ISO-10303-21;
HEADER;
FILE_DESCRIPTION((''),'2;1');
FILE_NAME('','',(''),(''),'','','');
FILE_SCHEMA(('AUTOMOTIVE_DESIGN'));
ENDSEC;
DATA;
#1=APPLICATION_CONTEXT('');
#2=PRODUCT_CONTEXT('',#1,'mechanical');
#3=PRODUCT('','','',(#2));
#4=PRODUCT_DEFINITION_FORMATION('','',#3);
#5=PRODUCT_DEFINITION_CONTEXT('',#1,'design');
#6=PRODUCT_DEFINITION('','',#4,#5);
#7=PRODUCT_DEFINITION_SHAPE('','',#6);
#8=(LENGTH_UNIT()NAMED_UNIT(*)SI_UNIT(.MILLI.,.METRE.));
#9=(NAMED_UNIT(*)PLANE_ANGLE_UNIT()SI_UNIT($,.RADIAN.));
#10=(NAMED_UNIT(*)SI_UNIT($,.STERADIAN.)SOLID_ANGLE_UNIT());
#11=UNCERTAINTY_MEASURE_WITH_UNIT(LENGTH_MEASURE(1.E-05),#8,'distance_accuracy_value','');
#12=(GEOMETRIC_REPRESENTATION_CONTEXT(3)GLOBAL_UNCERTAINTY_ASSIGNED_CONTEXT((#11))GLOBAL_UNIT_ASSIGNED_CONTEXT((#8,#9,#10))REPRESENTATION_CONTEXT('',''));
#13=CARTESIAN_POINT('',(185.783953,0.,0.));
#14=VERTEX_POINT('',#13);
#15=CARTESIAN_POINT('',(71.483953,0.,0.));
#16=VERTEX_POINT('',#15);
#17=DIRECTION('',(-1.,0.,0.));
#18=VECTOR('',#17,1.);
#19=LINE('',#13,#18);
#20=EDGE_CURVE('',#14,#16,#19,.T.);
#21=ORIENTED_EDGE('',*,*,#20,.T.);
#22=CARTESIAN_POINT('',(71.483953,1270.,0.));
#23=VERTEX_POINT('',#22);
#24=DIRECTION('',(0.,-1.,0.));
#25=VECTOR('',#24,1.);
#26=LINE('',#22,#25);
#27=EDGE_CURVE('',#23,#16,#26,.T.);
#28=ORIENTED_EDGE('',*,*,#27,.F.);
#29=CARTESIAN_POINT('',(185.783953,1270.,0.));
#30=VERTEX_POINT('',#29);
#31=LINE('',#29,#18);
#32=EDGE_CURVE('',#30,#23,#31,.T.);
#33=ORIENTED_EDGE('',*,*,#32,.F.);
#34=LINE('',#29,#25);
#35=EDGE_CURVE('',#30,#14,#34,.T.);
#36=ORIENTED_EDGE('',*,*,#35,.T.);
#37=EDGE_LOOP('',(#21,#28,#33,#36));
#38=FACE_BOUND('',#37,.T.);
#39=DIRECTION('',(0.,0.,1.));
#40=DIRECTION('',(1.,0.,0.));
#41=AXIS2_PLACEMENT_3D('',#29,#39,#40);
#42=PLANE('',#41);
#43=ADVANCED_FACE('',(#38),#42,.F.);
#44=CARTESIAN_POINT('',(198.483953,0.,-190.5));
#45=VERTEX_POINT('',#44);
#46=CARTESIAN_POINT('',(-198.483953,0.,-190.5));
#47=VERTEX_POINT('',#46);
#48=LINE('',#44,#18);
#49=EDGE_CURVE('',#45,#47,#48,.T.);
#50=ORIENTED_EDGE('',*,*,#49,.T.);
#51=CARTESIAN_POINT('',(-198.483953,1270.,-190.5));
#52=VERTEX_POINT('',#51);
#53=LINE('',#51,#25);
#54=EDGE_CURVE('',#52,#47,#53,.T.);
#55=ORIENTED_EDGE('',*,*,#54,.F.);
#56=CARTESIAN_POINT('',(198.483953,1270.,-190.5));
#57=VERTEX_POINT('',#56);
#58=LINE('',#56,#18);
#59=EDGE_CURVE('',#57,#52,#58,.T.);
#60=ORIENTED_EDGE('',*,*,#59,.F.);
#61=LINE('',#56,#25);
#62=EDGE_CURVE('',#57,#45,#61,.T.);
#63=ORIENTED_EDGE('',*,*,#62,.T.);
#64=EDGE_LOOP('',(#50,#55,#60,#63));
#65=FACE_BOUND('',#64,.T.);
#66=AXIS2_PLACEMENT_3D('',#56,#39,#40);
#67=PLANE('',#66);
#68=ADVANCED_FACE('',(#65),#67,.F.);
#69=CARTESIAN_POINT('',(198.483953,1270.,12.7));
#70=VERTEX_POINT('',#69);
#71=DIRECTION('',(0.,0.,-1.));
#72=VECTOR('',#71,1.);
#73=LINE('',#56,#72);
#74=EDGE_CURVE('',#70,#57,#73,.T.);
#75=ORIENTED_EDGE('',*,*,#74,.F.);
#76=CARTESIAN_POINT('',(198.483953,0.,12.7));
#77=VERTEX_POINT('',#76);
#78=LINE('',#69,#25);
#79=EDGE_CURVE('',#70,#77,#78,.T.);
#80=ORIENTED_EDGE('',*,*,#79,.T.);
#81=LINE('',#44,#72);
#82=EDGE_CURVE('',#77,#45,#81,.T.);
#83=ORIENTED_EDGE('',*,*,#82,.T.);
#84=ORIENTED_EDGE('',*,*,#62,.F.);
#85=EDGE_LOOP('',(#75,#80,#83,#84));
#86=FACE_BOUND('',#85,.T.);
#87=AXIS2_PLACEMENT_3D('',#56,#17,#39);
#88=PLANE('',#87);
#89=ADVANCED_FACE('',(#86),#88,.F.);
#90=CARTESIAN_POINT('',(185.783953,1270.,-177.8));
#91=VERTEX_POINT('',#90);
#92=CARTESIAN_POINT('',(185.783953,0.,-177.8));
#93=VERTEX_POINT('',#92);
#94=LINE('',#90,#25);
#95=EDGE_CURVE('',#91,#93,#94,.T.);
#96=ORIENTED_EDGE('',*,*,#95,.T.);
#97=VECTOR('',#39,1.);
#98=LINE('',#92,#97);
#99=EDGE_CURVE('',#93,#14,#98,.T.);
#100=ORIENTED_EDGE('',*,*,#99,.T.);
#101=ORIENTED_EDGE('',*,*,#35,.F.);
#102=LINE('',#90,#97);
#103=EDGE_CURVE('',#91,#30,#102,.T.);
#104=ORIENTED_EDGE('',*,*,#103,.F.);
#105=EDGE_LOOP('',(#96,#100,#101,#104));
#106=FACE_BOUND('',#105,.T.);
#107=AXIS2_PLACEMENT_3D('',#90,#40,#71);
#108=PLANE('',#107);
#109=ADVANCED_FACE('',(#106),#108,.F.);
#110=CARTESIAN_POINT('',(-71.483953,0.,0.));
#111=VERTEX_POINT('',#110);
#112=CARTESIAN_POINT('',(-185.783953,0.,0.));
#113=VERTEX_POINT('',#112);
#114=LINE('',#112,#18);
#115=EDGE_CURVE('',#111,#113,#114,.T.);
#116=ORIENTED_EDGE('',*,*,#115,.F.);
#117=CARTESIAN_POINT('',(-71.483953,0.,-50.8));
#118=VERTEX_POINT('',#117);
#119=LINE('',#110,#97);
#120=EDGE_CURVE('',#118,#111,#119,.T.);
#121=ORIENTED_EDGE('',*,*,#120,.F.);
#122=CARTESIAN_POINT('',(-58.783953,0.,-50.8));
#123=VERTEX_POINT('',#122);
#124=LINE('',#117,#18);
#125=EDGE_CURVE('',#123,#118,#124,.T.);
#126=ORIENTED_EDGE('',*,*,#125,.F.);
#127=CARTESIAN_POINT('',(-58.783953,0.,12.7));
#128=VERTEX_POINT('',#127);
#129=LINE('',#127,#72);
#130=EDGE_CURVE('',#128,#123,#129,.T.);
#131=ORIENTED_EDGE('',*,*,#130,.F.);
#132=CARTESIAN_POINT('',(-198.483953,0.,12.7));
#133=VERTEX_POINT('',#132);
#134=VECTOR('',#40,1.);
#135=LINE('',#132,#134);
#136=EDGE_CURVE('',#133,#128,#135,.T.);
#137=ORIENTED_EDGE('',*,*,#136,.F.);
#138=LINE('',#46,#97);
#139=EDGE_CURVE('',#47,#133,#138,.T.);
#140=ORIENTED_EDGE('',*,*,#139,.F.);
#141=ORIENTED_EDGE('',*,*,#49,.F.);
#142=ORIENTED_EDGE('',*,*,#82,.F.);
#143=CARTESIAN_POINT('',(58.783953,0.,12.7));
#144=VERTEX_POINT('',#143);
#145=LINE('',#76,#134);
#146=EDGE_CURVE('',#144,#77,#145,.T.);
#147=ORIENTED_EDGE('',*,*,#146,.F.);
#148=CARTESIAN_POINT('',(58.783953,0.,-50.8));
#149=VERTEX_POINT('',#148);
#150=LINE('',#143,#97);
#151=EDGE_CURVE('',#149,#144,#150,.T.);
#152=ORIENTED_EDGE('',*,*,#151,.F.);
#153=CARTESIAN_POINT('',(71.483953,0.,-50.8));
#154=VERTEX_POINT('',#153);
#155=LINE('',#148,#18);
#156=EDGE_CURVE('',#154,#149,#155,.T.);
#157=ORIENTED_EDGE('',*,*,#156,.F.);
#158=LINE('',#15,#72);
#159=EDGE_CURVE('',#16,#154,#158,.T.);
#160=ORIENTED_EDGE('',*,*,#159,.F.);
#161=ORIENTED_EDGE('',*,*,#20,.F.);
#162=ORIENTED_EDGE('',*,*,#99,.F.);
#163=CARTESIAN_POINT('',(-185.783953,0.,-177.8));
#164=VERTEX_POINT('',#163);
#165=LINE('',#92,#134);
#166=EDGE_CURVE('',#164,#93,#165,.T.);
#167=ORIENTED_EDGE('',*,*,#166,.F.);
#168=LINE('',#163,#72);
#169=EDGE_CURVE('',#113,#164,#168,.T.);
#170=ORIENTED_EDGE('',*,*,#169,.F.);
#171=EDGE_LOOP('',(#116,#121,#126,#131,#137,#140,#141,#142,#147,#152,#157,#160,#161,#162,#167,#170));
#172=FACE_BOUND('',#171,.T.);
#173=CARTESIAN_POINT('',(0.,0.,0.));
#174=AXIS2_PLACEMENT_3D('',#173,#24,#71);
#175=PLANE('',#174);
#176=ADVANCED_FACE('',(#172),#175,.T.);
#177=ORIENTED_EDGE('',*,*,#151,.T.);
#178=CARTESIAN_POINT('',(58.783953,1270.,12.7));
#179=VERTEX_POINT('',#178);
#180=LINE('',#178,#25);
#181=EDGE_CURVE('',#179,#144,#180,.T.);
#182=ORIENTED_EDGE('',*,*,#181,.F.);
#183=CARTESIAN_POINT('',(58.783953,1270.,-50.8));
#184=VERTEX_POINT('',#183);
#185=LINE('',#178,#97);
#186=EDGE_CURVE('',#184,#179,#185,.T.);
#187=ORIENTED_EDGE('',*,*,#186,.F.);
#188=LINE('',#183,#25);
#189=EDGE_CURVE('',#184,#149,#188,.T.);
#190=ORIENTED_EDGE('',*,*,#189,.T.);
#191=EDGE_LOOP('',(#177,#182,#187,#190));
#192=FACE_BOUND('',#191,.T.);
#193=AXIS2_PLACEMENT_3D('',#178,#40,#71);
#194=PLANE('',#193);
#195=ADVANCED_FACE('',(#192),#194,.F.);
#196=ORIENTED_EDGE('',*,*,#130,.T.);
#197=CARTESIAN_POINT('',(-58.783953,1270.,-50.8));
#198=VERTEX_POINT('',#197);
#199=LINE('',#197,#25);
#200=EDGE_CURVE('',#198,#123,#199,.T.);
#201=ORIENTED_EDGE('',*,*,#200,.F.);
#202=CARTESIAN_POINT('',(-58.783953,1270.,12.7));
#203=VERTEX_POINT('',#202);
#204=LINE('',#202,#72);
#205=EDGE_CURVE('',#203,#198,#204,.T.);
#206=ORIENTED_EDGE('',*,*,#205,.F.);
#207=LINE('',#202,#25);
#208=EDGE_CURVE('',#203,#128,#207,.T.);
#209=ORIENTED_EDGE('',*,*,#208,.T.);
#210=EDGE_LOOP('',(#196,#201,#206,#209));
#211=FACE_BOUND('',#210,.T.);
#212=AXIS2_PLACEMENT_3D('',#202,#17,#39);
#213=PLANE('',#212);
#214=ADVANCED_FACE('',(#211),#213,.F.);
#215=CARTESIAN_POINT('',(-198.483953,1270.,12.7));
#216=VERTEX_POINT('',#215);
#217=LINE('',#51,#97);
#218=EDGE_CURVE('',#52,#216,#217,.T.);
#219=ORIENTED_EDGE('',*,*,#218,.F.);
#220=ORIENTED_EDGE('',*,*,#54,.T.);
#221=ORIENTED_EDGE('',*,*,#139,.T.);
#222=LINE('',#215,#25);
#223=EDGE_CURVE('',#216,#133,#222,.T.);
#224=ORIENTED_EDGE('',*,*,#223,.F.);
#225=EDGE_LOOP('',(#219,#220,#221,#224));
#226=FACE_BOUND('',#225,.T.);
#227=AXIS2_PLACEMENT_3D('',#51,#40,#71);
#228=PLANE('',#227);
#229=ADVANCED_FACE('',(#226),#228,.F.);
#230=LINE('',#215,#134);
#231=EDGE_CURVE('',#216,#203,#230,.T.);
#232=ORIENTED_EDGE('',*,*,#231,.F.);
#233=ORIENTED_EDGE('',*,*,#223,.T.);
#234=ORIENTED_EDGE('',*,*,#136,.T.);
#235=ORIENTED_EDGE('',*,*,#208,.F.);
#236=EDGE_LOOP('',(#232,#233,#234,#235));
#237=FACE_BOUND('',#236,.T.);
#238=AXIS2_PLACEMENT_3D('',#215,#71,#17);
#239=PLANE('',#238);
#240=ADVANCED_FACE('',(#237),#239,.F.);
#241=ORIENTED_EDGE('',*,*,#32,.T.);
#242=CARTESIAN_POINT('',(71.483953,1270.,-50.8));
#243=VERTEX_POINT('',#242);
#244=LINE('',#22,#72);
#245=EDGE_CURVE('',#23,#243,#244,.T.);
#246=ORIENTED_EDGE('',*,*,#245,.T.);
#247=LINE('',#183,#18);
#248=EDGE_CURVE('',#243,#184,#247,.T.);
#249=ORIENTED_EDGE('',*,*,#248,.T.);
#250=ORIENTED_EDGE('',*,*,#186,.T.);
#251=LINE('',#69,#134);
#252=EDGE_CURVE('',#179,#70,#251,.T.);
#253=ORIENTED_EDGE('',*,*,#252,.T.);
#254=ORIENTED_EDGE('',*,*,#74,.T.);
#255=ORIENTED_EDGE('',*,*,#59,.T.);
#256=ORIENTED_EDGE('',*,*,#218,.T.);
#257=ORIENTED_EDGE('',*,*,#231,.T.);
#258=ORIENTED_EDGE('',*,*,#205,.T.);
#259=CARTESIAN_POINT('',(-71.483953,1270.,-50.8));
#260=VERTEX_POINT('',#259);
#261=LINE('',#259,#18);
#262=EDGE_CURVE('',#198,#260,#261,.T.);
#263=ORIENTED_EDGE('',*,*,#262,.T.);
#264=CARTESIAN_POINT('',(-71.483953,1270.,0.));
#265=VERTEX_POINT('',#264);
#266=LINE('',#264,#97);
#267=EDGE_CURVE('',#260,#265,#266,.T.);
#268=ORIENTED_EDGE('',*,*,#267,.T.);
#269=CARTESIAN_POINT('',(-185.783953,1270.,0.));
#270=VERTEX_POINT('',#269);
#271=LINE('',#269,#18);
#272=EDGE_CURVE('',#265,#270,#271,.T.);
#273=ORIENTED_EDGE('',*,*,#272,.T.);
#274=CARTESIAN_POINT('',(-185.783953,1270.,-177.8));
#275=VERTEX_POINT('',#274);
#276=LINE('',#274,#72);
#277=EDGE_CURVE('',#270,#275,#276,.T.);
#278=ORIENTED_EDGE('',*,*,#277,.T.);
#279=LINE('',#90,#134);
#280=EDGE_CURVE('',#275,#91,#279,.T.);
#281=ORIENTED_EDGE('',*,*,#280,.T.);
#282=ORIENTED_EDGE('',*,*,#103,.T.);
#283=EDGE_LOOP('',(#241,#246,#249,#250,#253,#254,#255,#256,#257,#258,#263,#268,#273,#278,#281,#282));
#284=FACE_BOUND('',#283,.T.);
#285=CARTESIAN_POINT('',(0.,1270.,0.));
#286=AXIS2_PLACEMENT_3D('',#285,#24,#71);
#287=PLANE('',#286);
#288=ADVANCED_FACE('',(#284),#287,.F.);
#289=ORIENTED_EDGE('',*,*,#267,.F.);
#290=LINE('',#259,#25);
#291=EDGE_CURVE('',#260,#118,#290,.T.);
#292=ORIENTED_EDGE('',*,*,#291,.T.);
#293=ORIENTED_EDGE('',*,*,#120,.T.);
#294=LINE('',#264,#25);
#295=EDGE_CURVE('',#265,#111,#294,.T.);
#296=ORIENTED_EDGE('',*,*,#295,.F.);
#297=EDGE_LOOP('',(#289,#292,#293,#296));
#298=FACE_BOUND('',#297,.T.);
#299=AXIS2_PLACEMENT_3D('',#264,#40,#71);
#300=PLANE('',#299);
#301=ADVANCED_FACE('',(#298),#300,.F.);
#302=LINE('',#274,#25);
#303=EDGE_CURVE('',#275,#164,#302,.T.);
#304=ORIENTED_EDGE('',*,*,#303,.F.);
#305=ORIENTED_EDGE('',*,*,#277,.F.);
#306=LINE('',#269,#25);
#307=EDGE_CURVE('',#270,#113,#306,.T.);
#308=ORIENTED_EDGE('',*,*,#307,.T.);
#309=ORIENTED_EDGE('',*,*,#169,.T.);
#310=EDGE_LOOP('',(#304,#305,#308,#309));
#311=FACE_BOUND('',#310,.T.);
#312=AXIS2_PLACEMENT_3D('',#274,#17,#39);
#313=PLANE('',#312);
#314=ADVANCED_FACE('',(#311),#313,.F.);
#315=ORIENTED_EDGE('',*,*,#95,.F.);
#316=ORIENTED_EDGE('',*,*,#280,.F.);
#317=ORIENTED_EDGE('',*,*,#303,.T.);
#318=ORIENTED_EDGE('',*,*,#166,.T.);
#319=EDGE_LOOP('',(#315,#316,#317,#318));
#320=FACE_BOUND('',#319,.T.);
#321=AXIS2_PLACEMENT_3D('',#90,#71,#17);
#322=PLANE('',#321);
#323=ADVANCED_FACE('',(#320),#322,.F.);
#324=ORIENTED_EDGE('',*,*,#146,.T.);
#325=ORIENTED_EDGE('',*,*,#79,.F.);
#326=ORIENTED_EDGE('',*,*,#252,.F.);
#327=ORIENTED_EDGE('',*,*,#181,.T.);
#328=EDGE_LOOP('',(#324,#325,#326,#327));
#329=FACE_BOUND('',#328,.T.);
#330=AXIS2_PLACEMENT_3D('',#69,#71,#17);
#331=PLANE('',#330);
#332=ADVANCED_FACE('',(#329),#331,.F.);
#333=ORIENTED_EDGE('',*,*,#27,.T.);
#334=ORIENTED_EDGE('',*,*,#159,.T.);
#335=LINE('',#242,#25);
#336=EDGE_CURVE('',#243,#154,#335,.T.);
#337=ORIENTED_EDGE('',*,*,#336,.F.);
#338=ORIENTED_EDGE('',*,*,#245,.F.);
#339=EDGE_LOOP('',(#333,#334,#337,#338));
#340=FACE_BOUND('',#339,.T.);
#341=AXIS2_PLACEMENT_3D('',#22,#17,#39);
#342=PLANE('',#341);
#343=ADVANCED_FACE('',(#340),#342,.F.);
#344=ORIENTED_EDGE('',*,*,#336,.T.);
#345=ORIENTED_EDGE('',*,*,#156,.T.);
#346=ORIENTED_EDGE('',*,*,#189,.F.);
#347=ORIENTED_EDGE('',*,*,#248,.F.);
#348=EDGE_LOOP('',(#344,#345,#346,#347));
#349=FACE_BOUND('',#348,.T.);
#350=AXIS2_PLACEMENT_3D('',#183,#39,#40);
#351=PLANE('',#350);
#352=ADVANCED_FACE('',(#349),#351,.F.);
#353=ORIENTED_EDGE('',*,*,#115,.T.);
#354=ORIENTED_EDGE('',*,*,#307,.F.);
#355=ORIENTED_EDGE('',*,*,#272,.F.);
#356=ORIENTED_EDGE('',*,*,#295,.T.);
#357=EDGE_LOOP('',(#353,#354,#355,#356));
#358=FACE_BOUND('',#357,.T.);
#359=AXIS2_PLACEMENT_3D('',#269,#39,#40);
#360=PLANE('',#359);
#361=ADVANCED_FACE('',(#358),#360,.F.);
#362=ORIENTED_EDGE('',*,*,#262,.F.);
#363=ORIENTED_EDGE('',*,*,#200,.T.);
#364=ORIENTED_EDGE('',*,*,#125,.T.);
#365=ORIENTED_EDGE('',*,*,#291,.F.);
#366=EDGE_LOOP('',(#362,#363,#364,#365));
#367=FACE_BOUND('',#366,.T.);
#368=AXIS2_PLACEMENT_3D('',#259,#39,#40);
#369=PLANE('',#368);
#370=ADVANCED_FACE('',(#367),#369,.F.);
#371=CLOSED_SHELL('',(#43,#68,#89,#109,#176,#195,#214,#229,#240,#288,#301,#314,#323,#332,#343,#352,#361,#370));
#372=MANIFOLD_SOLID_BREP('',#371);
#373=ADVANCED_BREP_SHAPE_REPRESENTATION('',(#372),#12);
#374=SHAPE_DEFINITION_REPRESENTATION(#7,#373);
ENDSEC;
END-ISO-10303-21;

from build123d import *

# Parameters (mm, degrees)
BOSS_EXTRUDE1_DEPTH = 1270


with BuildPart() as part:
    # Sketch1 → Boss-Extrude1 (new body)
    with BuildSketch(Plane(origin=(0, 0, 0), x_dir=(1, 0, 0), z_dir=(0, 1, 0))):
        Polygon((58.783953118, -12.7), (58.783953118, 50.8), (71.483953118, 50.8), (71.483953118, 0), (185.783953118, 0), (185.783953118, 177.8), (-185.783953118, 177.8), (-185.783953118, 0), (-71.483953118, 0), (-71.483953118, 50.8), (-58.783953118, 50.8), (-58.783953118, -12.7), (-198.483953118, -12.7), (-198.483953118, 190.5), (198.483953118, 190.5), (198.483953118, -12.7), align=None)
    extrude(amount=BOSS_EXTRUDE1_DEPTH)


solid = part.part
